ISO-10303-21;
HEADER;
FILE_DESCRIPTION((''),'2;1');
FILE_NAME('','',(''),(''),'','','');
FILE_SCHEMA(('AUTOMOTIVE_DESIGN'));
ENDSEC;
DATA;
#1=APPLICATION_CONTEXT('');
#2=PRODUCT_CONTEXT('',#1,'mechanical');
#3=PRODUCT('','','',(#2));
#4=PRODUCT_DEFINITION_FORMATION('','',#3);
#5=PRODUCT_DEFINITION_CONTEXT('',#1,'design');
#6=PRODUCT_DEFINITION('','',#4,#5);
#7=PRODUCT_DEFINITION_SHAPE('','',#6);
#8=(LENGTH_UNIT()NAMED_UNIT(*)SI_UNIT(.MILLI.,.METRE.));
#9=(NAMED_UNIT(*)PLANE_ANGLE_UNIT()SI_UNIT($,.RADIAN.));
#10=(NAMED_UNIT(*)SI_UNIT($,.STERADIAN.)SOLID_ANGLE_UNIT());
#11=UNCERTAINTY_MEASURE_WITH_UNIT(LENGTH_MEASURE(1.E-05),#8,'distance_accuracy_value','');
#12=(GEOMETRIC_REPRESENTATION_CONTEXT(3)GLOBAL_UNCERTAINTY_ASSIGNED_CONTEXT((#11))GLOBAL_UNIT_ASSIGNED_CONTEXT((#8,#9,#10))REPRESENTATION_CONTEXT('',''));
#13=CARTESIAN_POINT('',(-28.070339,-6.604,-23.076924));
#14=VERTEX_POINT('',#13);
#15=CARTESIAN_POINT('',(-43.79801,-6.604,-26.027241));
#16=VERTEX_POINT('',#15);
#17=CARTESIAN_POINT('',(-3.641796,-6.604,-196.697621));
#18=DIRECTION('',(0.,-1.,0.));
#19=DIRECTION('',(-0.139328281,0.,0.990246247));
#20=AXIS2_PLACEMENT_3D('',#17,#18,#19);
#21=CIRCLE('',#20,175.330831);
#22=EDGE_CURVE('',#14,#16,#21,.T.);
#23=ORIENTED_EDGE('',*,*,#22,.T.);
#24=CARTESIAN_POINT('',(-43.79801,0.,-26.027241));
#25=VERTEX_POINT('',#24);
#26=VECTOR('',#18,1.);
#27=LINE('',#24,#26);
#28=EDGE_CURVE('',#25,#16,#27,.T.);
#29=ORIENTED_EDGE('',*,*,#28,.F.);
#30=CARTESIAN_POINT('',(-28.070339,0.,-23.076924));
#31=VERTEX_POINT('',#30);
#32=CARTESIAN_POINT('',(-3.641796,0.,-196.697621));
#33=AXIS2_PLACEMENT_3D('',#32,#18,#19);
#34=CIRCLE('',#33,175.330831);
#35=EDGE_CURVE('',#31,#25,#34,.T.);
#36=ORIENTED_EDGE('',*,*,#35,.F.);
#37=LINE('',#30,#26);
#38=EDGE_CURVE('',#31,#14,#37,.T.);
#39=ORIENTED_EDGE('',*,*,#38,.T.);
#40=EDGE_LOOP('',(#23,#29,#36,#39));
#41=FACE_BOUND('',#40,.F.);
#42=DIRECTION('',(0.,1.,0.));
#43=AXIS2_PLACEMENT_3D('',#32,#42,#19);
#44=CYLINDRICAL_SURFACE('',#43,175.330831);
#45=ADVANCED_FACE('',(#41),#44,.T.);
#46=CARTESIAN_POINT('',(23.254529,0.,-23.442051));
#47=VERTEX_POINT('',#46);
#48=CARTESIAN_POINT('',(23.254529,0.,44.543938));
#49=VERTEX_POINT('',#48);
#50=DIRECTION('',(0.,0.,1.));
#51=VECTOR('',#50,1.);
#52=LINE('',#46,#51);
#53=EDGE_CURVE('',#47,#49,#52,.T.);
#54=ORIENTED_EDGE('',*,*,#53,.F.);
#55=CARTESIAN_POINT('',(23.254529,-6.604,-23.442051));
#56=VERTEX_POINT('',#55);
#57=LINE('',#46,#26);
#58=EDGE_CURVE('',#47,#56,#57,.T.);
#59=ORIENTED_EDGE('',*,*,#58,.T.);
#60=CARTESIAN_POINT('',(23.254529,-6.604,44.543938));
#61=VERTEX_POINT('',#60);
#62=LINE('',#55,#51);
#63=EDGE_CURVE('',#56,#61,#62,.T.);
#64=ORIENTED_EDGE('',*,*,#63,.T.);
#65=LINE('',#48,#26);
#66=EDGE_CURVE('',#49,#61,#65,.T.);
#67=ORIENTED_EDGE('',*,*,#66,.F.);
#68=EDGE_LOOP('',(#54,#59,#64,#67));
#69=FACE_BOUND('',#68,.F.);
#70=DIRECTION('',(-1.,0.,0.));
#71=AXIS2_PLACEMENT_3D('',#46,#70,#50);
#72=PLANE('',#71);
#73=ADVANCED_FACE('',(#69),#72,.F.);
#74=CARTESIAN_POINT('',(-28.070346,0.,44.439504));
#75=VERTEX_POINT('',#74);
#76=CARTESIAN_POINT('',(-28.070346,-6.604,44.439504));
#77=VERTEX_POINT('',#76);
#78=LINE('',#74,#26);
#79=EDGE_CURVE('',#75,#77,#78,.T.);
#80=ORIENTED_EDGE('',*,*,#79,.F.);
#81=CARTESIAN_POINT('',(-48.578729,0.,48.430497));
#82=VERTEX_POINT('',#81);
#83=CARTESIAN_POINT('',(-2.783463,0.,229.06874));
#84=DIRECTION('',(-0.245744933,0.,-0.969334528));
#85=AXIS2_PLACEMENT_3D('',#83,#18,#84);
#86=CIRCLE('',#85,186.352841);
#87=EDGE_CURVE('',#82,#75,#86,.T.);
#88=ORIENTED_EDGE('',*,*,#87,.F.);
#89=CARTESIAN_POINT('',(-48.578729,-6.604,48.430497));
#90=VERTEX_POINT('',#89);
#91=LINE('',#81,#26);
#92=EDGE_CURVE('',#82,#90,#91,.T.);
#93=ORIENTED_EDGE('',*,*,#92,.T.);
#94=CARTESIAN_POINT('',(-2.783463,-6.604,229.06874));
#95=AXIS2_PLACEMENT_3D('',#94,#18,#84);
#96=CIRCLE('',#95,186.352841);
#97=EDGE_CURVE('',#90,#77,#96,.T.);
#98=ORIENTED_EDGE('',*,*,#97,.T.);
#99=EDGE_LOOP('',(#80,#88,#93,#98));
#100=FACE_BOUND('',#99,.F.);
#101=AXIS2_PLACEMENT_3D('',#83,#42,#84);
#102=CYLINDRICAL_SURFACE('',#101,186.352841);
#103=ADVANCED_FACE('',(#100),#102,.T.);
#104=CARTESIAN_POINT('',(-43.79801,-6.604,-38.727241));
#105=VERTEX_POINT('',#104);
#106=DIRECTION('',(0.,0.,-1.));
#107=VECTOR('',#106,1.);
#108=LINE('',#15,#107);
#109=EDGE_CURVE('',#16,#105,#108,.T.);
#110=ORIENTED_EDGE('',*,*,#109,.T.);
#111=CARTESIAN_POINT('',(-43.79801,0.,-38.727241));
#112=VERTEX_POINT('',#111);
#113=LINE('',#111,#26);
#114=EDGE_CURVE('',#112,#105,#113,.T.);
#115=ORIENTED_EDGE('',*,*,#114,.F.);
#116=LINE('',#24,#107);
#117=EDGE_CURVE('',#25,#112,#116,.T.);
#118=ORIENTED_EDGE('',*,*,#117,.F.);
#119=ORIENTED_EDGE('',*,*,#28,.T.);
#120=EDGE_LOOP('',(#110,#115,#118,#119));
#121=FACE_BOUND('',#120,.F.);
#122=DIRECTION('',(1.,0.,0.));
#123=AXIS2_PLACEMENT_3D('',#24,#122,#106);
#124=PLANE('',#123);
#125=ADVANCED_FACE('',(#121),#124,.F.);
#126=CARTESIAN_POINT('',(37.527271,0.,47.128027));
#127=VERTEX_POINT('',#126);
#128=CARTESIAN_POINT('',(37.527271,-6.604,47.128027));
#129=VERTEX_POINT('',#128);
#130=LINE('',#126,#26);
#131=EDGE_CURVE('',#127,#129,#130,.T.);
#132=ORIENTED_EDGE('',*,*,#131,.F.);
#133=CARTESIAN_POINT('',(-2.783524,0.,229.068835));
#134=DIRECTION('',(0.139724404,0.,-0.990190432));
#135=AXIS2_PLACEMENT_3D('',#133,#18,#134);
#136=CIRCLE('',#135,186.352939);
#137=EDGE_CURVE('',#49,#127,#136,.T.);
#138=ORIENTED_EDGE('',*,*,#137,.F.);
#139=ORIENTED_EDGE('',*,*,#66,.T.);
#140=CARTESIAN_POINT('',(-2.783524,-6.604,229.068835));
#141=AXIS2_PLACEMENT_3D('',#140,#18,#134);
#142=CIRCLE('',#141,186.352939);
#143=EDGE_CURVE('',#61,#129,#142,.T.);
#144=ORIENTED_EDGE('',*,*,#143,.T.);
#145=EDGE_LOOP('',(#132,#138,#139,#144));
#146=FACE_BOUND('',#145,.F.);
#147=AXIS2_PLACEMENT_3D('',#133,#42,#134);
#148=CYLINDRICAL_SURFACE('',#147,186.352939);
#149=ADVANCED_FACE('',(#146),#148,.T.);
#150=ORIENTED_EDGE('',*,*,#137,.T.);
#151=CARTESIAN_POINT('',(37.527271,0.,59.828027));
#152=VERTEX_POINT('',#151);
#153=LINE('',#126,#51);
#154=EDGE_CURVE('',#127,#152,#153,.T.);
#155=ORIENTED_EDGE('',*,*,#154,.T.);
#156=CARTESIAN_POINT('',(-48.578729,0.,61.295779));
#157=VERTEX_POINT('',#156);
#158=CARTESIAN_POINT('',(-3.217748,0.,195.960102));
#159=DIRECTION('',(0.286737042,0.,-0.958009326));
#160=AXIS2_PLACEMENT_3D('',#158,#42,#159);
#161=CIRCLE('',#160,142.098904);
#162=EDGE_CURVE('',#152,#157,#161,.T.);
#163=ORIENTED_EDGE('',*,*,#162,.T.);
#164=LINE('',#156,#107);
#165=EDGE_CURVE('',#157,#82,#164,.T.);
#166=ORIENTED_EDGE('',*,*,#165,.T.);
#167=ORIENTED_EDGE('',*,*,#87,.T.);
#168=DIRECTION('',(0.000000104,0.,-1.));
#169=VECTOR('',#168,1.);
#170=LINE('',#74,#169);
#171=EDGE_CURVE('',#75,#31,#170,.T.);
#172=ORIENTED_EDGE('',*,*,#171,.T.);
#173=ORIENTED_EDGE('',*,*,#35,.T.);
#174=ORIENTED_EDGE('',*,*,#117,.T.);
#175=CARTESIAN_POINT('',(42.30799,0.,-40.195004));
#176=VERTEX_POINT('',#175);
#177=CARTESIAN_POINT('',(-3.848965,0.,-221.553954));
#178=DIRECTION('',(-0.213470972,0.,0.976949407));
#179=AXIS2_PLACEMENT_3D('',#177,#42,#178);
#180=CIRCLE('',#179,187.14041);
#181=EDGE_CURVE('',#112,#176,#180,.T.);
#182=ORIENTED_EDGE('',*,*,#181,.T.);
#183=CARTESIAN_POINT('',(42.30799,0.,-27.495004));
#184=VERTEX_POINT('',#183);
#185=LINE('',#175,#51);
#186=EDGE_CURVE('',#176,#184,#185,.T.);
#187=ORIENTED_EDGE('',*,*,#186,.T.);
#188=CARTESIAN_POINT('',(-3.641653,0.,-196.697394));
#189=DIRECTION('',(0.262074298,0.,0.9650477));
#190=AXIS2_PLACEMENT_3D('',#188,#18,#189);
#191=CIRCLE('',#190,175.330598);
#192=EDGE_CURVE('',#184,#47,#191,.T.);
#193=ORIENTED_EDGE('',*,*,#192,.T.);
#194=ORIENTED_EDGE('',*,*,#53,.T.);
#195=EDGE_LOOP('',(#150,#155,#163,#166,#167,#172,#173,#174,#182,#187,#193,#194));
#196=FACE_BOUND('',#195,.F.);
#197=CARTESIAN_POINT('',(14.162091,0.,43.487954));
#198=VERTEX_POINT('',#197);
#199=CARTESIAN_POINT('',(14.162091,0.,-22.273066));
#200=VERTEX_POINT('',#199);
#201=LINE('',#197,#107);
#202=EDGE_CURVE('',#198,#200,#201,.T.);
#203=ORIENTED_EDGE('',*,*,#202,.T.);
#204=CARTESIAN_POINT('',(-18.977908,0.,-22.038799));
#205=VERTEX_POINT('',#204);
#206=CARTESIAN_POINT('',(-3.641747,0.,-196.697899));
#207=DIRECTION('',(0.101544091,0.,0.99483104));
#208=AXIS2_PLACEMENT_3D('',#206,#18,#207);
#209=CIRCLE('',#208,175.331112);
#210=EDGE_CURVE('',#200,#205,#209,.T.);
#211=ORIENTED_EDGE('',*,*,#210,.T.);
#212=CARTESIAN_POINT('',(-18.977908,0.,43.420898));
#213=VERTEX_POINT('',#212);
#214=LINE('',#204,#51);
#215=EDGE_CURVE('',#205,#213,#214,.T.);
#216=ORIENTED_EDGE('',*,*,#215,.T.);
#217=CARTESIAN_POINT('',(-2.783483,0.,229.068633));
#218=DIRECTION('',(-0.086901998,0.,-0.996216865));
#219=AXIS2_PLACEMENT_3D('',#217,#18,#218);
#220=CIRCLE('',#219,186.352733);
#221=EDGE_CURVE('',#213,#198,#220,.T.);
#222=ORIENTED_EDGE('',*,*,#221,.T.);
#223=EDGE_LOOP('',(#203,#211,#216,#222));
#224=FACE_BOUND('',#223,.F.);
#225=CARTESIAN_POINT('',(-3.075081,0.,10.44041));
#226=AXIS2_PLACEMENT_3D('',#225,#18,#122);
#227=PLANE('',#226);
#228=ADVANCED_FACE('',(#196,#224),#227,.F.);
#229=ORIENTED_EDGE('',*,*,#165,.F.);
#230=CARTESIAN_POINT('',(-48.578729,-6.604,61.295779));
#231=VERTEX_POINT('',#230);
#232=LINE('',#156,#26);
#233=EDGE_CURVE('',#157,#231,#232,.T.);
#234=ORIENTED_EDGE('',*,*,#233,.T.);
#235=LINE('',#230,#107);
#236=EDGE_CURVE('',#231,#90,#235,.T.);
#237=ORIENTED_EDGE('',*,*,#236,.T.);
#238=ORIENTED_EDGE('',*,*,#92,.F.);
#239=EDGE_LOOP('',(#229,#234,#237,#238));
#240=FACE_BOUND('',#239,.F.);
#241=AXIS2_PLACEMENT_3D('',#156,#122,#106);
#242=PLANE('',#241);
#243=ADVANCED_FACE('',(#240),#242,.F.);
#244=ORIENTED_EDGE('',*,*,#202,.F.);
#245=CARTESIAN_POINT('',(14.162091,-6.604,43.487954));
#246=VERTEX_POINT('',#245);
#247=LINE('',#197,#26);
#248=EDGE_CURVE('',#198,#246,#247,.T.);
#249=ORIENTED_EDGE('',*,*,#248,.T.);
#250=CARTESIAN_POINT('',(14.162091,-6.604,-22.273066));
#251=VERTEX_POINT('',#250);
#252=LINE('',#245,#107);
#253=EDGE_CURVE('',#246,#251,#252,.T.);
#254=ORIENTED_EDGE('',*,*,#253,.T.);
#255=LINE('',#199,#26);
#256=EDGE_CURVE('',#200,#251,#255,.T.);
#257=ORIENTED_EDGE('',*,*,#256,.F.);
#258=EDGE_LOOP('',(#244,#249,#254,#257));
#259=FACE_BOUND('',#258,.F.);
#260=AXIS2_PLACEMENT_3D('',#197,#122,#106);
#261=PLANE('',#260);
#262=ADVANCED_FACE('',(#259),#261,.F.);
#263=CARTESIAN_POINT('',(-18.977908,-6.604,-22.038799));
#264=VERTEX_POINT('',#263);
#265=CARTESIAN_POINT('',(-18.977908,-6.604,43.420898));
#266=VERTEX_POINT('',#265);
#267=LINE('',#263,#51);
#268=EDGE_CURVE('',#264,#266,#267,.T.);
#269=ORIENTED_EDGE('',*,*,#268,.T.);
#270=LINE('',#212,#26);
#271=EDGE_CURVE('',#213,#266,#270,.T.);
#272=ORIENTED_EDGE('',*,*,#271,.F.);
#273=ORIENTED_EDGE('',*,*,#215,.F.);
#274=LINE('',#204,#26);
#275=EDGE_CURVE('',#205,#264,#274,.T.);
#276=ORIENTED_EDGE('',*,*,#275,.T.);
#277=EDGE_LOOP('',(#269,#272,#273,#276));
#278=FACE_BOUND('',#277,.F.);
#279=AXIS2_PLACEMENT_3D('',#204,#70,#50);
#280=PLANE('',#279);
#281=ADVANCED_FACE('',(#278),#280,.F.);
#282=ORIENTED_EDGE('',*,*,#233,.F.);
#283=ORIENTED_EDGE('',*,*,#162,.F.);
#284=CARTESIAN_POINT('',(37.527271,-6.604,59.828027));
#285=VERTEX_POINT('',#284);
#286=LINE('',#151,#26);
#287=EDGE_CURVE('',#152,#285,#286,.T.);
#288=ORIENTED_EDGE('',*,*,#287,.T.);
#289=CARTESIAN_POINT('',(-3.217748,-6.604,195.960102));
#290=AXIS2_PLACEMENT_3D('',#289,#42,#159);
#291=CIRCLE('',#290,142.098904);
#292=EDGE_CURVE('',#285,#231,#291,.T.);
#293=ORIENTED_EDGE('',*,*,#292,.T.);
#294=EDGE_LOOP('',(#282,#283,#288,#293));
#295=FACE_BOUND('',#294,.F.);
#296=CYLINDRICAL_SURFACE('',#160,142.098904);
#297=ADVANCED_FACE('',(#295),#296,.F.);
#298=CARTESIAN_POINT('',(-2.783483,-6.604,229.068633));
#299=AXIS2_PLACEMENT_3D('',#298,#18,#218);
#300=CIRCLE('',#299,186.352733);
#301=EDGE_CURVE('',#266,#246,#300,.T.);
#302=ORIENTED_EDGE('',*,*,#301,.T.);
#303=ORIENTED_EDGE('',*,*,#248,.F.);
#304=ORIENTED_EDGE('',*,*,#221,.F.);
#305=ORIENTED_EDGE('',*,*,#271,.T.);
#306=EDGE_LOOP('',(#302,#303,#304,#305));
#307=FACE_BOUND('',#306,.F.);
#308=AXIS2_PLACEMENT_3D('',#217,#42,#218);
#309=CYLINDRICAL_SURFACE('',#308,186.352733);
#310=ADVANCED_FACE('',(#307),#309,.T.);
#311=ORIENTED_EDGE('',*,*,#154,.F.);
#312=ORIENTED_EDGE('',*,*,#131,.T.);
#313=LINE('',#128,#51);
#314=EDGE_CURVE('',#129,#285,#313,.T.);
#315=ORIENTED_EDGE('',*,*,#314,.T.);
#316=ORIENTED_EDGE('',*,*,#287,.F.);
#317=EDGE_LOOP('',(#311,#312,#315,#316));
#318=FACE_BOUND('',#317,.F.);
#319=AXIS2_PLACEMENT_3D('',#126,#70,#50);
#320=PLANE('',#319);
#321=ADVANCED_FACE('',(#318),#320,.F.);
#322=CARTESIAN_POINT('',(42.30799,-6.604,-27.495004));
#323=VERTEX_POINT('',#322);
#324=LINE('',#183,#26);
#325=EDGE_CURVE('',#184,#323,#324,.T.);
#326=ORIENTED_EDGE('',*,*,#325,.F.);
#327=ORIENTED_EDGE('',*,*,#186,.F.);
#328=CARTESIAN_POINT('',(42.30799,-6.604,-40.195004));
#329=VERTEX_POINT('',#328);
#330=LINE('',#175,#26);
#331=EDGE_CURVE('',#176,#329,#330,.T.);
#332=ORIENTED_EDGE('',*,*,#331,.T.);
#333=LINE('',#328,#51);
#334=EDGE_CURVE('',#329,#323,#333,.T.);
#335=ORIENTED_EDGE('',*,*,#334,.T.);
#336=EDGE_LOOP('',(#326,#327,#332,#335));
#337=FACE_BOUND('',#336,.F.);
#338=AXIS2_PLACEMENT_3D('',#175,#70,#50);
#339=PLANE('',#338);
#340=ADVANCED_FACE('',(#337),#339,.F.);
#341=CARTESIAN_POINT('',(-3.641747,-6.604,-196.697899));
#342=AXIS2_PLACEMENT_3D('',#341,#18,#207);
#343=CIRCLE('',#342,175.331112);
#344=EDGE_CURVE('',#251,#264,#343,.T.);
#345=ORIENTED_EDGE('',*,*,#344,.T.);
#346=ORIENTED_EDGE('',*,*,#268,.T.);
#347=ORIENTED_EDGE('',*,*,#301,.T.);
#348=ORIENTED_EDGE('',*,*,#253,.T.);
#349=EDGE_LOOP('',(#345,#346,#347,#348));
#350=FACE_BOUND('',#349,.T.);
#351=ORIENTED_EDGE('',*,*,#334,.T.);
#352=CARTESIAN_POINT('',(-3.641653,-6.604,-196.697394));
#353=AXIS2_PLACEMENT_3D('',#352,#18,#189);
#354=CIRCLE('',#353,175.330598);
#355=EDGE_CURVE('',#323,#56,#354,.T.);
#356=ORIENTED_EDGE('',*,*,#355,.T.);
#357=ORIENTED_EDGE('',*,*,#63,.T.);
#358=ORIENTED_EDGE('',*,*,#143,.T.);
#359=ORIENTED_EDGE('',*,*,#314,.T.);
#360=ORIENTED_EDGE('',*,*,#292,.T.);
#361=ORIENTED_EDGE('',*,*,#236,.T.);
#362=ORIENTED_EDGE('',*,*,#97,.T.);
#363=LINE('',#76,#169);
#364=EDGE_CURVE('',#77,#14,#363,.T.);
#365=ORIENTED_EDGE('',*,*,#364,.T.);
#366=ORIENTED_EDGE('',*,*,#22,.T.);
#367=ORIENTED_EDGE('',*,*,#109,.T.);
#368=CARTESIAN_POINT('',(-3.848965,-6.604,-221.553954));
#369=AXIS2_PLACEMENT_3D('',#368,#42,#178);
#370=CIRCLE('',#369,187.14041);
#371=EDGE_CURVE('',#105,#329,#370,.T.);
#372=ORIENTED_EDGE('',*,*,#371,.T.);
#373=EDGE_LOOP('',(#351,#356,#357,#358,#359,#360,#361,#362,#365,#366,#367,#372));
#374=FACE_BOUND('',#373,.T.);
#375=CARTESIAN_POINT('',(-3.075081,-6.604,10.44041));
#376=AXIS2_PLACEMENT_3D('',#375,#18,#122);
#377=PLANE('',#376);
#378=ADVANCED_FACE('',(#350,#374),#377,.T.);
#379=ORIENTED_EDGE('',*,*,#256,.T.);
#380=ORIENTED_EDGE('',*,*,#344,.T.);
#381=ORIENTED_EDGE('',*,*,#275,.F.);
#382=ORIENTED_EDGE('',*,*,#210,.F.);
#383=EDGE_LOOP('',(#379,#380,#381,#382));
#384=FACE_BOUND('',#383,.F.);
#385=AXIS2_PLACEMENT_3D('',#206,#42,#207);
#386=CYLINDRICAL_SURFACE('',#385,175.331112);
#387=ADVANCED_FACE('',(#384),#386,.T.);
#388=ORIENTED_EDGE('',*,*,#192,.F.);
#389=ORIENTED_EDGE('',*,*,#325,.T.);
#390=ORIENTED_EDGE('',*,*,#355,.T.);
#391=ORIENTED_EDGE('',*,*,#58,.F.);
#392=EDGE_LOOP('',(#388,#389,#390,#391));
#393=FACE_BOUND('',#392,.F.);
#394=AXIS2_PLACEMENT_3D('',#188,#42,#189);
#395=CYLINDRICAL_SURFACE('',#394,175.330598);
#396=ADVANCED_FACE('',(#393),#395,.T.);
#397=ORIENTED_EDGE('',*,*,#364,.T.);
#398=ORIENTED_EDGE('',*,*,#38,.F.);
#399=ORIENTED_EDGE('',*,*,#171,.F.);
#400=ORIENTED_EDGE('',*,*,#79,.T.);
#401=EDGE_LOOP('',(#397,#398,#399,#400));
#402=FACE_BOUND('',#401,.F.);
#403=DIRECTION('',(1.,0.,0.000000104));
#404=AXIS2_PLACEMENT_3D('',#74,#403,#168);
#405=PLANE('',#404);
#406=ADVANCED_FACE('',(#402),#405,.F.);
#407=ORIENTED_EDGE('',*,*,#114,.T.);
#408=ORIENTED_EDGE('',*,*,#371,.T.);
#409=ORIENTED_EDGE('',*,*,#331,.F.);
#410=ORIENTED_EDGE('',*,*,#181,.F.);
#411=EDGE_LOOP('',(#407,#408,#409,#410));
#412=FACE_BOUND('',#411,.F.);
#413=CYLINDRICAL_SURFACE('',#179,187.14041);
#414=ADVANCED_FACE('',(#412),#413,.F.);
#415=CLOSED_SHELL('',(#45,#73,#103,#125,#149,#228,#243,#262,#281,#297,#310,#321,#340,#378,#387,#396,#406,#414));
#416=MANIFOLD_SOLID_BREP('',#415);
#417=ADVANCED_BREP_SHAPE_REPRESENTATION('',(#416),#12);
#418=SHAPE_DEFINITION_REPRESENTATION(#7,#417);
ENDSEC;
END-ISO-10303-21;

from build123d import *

# Parameters (mm, degrees)
F1_DEPTH = 6.604


with BuildPart() as f1:
    # F0 (on Front) → F1 (new body)
    with BuildSketch(Plane.XZ):
        with BuildLine():
            ThreePointArc((-43.79801, -38.727241), (-0.659432, -34.440726), (42.30799, -40.195004))
            Line((42.30799, -40.195004), (42.30799, -27.495004))
            ThreePointArc((42.30799, -27.495004), (32.83759, -25.203711), (23.254529, -23.442051))
            Line((23.254529, -23.442051), (23.254529, 44.543938))
            ThreePointArc((23.254529, 44.543938), (30.416051, 45.697065), (37.527271, 47.128027))
            Line((37.527271, 47.128027), (37.527271, 59.828027))
            ThreePointArc((37.527271, 59.828027), (-5.639596, 53.881838), (-48.578729, 61.295779))
            Line((-48.578729, 61.295779), (-48.578729, 48.430497))
            ThreePointArc((-48.578729, 48.430497), (-38.380513, 46.14736), (-28.070346, 44.439504))
            Line((-28.070346, 44.439504), (-28.070339, -23.076924))
            ThreePointArc((-28.070339, -23.076924), (-35.967851, -24.372561), (-43.79801, -26.027241))
            Line((-43.79801, -26.027241), (-43.79801, -38.727241))
        make_face()
        with BuildLine():
            Line((-18.977908, -22.038799), (-18.977908, 43.420898))
            ThreePointArc((-18.977908, 43.420898), (-2.406415, 42.716282), (14.162091, 43.487954))
            Line((14.162091, 43.487954), (14.162091, -22.273066))
            ThreePointArc((14.162091, -22.273066), (-2.402361, -21.371167), (-18.977908, -22.038799))
        make_face(mode=Mode.SUBTRACT)
    extrude(amount=F1_DEPTH)


solid = f1.part
